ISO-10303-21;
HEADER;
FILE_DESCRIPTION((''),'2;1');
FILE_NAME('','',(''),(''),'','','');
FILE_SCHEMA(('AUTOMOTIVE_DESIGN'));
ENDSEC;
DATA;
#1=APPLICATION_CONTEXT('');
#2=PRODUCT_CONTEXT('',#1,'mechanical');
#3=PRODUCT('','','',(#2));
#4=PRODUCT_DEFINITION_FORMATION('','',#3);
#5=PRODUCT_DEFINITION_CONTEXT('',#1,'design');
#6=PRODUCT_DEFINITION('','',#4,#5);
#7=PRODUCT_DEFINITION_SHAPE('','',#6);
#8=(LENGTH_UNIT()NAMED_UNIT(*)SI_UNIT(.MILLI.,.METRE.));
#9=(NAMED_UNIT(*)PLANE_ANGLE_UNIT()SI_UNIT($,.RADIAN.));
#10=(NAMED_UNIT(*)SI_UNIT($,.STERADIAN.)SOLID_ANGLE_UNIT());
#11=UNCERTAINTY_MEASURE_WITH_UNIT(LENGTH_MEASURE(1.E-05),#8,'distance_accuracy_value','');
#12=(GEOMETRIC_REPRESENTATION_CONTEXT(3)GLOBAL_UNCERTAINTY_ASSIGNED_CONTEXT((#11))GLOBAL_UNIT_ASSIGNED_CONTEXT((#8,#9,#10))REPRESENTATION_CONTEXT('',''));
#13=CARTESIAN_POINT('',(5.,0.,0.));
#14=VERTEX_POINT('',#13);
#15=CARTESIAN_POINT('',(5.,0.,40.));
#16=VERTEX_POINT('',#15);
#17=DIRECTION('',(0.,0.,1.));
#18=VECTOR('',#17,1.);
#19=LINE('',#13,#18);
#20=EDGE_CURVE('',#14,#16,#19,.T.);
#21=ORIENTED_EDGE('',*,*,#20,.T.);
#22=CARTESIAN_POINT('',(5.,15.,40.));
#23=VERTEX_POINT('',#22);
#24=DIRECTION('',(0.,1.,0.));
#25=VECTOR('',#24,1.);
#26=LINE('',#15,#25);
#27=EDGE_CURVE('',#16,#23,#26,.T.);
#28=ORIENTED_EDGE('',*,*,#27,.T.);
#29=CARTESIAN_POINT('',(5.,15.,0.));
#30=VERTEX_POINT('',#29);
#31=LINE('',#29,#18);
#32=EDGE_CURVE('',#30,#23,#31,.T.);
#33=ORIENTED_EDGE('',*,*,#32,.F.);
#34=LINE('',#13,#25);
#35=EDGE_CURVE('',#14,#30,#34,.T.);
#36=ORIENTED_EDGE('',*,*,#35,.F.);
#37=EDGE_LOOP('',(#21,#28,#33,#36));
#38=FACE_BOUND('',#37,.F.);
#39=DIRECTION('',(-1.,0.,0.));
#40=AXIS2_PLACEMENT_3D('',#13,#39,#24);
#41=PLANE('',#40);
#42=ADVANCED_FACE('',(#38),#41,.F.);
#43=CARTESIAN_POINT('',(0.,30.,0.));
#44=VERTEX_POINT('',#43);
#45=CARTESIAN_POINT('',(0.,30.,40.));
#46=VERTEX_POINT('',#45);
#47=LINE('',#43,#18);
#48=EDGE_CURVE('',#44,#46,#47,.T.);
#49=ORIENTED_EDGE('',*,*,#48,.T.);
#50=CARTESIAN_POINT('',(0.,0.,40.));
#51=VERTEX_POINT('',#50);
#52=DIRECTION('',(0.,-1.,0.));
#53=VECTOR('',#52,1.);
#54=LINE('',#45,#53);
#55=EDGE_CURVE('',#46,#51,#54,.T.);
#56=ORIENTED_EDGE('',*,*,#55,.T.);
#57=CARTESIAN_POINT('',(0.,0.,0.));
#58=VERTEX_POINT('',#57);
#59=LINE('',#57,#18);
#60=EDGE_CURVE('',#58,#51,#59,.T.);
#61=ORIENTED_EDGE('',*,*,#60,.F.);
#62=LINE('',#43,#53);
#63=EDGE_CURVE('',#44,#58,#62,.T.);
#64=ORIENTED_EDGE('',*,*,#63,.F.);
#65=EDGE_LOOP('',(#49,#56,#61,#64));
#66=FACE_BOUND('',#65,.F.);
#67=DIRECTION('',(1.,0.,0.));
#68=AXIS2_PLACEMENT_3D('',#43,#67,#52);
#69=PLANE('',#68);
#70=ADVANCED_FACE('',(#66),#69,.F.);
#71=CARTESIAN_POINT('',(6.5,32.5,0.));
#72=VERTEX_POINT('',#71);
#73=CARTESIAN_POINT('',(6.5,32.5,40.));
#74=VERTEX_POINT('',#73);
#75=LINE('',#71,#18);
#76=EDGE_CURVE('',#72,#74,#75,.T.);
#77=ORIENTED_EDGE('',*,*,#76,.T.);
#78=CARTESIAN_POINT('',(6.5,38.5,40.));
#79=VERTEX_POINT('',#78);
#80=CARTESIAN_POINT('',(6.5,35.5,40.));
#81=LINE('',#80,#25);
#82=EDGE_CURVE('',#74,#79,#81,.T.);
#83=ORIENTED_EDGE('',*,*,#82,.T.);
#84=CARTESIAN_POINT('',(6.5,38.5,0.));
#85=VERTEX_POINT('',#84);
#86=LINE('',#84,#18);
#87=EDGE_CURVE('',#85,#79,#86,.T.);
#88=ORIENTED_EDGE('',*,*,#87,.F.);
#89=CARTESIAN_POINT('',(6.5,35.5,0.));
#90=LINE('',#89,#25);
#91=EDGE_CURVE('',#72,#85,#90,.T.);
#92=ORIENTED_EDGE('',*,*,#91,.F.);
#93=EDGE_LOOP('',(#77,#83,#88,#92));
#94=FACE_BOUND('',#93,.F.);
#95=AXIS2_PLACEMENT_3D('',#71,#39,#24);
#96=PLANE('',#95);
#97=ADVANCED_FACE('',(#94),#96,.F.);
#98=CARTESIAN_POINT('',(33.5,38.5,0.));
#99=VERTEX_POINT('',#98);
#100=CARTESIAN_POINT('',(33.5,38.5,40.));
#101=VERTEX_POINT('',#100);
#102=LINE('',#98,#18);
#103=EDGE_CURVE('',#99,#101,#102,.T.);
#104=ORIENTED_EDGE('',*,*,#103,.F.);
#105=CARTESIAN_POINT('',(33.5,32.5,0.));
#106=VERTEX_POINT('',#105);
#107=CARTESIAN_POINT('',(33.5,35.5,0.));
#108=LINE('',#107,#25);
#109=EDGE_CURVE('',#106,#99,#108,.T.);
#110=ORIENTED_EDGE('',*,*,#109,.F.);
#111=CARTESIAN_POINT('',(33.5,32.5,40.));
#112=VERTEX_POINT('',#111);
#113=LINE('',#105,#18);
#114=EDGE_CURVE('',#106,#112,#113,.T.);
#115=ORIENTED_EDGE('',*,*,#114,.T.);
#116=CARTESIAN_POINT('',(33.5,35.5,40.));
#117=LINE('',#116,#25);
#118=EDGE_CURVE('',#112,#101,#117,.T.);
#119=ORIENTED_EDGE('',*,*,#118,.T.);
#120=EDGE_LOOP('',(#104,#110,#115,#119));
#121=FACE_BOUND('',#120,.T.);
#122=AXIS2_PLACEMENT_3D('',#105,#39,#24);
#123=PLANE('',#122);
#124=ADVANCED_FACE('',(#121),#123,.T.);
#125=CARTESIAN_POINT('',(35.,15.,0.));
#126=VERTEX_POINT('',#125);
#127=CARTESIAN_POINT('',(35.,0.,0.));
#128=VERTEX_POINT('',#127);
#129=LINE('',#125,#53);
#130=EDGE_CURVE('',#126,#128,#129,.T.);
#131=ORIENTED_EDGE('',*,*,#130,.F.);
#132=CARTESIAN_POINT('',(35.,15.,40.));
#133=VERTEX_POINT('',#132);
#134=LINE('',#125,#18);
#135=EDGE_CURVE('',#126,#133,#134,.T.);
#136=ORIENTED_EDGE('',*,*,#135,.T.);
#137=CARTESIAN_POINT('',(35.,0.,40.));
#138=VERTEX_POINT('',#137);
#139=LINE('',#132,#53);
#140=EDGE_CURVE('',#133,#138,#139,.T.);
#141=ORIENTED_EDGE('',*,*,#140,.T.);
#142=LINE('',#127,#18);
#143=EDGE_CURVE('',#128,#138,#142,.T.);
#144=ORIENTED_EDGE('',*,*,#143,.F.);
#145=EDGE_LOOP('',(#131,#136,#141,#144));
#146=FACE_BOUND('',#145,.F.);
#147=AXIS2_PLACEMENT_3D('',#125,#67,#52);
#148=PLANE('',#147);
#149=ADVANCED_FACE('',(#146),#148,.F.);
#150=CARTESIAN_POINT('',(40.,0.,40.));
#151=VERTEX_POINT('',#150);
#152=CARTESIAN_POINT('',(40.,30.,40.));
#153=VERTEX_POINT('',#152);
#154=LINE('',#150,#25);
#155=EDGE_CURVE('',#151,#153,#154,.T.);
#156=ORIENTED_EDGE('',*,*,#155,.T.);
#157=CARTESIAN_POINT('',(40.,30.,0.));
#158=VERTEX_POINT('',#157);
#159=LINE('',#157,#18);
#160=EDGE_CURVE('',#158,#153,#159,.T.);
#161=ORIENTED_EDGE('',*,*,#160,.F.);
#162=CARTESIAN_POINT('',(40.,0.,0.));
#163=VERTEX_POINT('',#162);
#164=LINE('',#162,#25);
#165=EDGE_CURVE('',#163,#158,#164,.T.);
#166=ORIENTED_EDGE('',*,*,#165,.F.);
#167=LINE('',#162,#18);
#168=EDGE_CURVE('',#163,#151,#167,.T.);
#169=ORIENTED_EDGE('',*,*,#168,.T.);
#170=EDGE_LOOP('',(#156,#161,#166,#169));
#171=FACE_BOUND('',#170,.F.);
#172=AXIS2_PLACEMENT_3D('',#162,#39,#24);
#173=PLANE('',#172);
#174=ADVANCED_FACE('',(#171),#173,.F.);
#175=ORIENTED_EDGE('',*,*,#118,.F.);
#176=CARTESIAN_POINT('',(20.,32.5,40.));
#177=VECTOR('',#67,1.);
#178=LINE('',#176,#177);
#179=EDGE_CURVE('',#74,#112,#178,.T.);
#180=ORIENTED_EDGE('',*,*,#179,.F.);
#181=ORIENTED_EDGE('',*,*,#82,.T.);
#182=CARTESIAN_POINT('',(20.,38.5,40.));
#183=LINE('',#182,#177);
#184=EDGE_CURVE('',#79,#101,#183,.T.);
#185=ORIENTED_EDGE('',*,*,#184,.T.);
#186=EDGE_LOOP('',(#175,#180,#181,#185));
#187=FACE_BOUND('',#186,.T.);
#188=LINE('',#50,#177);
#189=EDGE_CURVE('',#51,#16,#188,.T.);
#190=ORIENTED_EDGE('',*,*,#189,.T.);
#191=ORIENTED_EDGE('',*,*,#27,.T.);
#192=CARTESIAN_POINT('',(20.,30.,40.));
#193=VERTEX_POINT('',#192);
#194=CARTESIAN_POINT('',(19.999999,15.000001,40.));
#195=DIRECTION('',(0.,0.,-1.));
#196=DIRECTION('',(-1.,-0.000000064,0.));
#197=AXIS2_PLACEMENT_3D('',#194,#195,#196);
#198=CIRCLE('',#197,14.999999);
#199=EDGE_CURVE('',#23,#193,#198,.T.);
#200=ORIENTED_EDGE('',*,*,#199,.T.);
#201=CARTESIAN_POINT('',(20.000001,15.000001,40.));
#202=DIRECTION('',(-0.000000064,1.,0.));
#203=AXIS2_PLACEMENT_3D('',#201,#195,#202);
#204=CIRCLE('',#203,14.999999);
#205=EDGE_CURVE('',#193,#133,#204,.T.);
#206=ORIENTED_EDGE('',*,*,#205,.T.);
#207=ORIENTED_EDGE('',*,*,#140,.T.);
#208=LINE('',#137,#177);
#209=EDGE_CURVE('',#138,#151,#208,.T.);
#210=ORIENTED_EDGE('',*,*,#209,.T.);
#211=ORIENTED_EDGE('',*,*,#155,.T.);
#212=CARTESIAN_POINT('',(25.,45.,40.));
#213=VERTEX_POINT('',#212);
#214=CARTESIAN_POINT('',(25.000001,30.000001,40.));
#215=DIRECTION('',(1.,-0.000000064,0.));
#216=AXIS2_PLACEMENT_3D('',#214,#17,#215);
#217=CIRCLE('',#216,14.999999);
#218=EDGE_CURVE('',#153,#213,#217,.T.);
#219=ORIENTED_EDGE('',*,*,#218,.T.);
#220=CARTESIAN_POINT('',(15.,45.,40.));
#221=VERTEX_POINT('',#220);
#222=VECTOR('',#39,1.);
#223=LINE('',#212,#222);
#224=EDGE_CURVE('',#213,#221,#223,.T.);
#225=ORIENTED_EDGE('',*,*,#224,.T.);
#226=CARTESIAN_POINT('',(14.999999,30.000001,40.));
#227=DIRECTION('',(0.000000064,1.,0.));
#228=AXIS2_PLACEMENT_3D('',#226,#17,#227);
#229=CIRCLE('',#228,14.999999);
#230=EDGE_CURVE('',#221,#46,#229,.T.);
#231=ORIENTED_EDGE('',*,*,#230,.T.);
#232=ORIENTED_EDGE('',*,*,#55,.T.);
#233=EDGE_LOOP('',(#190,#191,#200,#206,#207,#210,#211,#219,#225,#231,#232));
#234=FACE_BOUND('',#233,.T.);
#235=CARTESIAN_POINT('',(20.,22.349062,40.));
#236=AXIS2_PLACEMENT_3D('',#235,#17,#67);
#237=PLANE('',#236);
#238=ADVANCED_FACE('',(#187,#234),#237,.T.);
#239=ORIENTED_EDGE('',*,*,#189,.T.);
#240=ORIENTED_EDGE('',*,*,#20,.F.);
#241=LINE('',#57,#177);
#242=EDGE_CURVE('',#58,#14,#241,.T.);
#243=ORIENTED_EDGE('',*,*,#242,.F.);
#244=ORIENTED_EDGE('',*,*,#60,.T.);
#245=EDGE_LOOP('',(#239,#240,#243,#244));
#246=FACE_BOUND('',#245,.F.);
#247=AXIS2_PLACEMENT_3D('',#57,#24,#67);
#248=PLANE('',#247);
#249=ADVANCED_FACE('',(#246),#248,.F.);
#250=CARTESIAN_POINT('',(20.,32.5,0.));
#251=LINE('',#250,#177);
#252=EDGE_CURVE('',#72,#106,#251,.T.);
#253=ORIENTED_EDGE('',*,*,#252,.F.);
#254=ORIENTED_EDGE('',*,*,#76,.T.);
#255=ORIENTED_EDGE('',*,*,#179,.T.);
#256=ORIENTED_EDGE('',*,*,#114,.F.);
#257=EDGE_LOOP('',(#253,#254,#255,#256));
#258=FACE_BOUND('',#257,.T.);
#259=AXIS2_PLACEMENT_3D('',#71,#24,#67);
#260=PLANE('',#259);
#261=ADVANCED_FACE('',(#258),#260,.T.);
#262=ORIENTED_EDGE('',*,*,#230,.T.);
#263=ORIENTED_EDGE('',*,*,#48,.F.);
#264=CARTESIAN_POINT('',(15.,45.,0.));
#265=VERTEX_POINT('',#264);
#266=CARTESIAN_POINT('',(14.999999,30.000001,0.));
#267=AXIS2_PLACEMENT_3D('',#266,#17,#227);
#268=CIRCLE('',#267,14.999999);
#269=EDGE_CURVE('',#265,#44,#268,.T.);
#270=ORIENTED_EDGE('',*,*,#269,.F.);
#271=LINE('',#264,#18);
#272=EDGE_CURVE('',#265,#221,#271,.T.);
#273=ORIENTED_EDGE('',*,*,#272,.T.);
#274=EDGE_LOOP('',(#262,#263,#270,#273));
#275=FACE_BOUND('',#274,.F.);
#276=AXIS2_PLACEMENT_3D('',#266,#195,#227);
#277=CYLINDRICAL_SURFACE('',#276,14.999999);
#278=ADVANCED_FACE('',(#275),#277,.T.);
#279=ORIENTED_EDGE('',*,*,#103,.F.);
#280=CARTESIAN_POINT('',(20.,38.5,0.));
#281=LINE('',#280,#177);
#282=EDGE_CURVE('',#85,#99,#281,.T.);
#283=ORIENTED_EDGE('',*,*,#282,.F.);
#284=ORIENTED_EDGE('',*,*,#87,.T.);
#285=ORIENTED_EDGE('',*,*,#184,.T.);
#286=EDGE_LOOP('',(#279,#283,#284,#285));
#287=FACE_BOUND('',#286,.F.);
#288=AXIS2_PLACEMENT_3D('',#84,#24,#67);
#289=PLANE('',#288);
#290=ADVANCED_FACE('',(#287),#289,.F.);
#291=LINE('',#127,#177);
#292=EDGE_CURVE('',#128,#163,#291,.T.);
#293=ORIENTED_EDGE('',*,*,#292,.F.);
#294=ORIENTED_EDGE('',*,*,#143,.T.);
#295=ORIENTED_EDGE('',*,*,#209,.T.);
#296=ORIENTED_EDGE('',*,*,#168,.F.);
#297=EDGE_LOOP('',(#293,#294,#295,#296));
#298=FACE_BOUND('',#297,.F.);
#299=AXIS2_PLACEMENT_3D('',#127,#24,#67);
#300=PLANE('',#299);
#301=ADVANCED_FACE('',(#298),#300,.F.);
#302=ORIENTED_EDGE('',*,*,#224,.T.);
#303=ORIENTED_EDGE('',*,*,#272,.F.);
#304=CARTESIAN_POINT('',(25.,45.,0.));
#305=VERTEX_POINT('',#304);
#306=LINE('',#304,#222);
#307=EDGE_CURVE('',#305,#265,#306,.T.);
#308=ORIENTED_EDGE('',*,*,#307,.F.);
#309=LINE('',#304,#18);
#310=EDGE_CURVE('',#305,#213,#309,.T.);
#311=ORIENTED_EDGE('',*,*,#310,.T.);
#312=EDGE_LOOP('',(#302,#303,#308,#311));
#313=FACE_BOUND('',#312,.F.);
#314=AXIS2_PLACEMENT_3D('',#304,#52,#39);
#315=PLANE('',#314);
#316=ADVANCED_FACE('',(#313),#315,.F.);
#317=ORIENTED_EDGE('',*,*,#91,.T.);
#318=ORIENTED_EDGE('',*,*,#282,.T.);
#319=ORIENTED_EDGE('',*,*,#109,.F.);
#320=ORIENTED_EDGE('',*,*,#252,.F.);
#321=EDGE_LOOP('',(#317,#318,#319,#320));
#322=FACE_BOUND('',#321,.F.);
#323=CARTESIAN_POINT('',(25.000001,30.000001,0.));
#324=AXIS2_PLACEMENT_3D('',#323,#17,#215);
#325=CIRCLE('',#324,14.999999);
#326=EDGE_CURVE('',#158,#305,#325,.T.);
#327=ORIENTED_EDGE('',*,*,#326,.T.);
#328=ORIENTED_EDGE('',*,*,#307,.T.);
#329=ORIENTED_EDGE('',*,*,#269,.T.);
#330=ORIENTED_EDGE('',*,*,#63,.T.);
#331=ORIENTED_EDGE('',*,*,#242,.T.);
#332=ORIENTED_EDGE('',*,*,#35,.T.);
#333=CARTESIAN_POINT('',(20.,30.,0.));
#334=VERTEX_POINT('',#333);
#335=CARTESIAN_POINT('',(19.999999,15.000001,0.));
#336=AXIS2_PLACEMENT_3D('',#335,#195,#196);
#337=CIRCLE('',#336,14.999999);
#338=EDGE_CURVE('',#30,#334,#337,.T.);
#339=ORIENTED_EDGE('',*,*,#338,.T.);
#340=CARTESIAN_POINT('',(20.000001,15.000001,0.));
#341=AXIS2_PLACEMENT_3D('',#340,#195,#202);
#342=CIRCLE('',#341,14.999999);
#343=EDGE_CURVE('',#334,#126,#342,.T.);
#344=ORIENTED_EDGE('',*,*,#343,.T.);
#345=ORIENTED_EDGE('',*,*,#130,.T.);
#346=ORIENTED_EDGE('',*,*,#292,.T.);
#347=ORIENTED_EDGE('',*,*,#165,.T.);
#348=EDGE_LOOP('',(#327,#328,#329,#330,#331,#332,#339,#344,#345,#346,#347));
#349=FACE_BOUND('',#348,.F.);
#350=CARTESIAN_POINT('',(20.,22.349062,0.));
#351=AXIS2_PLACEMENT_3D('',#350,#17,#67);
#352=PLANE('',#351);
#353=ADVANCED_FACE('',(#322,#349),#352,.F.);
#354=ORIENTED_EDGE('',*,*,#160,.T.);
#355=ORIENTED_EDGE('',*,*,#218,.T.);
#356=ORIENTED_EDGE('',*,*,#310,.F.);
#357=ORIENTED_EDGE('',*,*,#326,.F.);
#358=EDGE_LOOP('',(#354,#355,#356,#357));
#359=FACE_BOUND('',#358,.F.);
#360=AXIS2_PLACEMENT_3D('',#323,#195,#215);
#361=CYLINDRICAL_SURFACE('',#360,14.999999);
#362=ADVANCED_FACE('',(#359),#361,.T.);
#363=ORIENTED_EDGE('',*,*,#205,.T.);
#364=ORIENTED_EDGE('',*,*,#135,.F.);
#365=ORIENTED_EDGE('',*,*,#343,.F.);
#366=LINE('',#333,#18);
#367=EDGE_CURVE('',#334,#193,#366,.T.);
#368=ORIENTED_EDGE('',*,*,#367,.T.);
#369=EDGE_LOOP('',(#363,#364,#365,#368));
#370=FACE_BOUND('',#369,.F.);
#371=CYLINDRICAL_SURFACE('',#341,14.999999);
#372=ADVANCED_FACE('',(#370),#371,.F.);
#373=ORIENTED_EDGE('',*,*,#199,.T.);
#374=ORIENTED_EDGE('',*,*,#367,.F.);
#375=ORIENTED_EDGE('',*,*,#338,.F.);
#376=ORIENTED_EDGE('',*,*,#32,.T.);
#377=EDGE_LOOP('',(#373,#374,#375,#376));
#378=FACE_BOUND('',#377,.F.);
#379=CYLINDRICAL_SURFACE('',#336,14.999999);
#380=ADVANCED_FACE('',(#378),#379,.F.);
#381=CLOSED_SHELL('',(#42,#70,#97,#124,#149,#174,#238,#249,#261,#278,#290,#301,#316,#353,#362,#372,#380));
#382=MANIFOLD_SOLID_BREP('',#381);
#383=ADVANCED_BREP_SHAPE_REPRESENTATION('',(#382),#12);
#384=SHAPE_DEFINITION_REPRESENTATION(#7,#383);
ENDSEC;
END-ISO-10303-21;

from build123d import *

# Parameters (mm, degrees)
F0_W     = 27
F0_H     = 6
F1_DEPTH = 40


with BuildPart() as f1:
    # F0 (on Top) → F1 (new body)
    with BuildSketch(Plane.XY):
        with BuildLine():
            Line((0, 30), (0, 0))
            Line((0, 0), (5, 0))
            Line((5, 0), (5, 15))
            ThreePointArc((5, 15), (9.393398, 25.606602), (20, 30))
            ThreePointArc((20, 30), (30.606602, 25.606602), (35, 15))
            Line((35, 15), (35, 0))
            Line((35, 0), (40, 0))
            Line((40, 0), (40, 30))
            ThreePointArc((40, 30), (35.606602, 40.606602), (25, 45))
            Line((25, 45), (15, 45))
            ThreePointArc((15, 45), (4.393398, 40.606602), (0, 30))
        make_face()
        with Locations((20, 35.5)):
            Rectangle(F0_W, F0_H, mode=Mode.SUBTRACT)
    extrude(amount=F1_DEPTH)


solid = f1.part
